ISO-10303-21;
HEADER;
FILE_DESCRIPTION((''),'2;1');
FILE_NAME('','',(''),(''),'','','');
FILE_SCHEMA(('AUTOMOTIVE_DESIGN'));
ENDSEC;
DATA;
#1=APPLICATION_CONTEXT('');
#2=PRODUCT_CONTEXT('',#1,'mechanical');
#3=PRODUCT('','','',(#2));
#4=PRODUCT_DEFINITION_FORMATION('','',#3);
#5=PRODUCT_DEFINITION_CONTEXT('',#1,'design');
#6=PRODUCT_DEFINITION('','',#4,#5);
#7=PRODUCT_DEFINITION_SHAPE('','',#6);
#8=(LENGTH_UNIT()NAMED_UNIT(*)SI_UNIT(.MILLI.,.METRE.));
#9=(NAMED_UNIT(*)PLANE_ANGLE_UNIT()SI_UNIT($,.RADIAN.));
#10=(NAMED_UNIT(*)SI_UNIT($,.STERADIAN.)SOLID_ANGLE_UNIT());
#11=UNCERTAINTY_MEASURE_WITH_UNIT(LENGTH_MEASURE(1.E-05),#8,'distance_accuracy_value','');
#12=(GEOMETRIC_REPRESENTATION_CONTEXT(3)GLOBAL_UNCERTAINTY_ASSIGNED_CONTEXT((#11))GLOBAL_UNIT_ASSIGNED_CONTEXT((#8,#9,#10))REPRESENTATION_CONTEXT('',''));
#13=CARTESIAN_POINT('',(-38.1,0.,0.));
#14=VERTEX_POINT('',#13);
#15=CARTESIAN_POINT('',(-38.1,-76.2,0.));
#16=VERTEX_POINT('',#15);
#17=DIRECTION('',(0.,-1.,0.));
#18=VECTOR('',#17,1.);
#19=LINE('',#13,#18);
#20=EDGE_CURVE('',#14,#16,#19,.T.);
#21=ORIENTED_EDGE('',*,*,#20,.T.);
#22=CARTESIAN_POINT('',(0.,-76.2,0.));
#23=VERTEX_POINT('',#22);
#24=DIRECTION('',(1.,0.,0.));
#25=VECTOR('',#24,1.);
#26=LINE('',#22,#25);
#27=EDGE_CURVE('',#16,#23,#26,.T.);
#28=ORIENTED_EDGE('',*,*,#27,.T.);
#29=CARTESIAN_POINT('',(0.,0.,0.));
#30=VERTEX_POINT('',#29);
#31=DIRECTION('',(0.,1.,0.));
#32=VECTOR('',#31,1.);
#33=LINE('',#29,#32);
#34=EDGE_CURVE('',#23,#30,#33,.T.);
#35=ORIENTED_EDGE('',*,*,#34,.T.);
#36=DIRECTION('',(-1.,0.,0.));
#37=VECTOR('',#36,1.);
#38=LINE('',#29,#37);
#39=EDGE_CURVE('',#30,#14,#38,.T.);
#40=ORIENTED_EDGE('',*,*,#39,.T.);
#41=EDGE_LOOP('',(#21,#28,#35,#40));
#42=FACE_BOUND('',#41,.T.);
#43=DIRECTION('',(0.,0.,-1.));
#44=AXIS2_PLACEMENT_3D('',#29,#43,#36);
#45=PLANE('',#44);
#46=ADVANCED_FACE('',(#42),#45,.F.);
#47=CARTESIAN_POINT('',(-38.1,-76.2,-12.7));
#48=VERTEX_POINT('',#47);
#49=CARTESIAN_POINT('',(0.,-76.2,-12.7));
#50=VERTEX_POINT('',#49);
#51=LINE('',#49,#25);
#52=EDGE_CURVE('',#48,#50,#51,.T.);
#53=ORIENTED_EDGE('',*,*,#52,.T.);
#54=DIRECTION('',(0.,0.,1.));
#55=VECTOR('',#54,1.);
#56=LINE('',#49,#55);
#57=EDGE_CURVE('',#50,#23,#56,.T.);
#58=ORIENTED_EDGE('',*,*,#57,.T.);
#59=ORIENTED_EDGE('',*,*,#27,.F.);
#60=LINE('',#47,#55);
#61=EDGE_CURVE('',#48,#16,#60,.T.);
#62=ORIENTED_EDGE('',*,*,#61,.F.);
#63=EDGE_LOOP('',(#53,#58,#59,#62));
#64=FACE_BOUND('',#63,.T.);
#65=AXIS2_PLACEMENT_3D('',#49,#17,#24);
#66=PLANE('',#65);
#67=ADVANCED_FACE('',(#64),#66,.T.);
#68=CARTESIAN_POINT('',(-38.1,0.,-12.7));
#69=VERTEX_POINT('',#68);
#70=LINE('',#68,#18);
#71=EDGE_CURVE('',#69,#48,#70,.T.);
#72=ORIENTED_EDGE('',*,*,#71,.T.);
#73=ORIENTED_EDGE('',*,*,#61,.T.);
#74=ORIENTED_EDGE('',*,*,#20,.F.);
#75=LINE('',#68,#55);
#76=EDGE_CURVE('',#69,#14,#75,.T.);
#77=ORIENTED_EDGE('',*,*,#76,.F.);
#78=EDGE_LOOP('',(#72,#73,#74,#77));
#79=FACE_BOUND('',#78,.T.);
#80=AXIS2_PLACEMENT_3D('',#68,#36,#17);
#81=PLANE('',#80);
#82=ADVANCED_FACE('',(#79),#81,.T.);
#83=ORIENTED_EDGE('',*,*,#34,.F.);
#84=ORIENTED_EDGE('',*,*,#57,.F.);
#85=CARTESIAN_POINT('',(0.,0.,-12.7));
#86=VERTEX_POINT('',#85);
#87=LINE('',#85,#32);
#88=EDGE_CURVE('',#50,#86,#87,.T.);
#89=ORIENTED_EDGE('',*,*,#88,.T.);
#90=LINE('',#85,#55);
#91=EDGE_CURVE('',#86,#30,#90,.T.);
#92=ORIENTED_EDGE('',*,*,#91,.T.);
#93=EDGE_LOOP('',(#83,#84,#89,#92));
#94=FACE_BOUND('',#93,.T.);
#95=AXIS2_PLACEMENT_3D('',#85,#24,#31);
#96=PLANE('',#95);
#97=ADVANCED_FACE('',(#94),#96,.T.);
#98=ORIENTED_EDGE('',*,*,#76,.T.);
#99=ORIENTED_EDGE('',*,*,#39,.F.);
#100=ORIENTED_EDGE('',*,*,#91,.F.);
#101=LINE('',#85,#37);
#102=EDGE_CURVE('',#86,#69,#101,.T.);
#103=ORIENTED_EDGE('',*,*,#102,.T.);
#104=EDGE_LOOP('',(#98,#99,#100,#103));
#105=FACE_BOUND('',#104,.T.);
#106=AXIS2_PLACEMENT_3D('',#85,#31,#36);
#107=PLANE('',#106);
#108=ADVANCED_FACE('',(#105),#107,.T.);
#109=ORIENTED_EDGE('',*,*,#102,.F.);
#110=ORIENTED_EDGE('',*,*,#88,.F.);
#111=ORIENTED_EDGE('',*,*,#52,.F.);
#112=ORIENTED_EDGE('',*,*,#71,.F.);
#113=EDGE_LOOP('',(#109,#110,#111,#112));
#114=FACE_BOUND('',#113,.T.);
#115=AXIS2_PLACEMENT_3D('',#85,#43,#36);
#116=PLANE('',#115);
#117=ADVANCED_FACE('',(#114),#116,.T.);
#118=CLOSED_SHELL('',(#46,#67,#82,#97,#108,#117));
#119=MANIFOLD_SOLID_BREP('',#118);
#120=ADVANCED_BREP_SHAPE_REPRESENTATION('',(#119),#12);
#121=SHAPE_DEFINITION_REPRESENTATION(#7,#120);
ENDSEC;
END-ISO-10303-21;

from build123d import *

# Parameters (mm, degrees)
SKETCH1_W           = 38.1
SKETCH1_H           = 76.2
BOSS_EXTRUDE1_DEPTH = 12.7


with BuildPart() as part:
    # Sketch1 → Boss-Extrude1 (new body)
    with BuildSketch(Plane.XY):
        with Locations((-19.05, -38.1)):
            Rectangle(SKETCH1_W, SKETCH1_H)
    extrude(amount=-BOSS_EXTRUDE1_DEPTH)


solid = part.part
